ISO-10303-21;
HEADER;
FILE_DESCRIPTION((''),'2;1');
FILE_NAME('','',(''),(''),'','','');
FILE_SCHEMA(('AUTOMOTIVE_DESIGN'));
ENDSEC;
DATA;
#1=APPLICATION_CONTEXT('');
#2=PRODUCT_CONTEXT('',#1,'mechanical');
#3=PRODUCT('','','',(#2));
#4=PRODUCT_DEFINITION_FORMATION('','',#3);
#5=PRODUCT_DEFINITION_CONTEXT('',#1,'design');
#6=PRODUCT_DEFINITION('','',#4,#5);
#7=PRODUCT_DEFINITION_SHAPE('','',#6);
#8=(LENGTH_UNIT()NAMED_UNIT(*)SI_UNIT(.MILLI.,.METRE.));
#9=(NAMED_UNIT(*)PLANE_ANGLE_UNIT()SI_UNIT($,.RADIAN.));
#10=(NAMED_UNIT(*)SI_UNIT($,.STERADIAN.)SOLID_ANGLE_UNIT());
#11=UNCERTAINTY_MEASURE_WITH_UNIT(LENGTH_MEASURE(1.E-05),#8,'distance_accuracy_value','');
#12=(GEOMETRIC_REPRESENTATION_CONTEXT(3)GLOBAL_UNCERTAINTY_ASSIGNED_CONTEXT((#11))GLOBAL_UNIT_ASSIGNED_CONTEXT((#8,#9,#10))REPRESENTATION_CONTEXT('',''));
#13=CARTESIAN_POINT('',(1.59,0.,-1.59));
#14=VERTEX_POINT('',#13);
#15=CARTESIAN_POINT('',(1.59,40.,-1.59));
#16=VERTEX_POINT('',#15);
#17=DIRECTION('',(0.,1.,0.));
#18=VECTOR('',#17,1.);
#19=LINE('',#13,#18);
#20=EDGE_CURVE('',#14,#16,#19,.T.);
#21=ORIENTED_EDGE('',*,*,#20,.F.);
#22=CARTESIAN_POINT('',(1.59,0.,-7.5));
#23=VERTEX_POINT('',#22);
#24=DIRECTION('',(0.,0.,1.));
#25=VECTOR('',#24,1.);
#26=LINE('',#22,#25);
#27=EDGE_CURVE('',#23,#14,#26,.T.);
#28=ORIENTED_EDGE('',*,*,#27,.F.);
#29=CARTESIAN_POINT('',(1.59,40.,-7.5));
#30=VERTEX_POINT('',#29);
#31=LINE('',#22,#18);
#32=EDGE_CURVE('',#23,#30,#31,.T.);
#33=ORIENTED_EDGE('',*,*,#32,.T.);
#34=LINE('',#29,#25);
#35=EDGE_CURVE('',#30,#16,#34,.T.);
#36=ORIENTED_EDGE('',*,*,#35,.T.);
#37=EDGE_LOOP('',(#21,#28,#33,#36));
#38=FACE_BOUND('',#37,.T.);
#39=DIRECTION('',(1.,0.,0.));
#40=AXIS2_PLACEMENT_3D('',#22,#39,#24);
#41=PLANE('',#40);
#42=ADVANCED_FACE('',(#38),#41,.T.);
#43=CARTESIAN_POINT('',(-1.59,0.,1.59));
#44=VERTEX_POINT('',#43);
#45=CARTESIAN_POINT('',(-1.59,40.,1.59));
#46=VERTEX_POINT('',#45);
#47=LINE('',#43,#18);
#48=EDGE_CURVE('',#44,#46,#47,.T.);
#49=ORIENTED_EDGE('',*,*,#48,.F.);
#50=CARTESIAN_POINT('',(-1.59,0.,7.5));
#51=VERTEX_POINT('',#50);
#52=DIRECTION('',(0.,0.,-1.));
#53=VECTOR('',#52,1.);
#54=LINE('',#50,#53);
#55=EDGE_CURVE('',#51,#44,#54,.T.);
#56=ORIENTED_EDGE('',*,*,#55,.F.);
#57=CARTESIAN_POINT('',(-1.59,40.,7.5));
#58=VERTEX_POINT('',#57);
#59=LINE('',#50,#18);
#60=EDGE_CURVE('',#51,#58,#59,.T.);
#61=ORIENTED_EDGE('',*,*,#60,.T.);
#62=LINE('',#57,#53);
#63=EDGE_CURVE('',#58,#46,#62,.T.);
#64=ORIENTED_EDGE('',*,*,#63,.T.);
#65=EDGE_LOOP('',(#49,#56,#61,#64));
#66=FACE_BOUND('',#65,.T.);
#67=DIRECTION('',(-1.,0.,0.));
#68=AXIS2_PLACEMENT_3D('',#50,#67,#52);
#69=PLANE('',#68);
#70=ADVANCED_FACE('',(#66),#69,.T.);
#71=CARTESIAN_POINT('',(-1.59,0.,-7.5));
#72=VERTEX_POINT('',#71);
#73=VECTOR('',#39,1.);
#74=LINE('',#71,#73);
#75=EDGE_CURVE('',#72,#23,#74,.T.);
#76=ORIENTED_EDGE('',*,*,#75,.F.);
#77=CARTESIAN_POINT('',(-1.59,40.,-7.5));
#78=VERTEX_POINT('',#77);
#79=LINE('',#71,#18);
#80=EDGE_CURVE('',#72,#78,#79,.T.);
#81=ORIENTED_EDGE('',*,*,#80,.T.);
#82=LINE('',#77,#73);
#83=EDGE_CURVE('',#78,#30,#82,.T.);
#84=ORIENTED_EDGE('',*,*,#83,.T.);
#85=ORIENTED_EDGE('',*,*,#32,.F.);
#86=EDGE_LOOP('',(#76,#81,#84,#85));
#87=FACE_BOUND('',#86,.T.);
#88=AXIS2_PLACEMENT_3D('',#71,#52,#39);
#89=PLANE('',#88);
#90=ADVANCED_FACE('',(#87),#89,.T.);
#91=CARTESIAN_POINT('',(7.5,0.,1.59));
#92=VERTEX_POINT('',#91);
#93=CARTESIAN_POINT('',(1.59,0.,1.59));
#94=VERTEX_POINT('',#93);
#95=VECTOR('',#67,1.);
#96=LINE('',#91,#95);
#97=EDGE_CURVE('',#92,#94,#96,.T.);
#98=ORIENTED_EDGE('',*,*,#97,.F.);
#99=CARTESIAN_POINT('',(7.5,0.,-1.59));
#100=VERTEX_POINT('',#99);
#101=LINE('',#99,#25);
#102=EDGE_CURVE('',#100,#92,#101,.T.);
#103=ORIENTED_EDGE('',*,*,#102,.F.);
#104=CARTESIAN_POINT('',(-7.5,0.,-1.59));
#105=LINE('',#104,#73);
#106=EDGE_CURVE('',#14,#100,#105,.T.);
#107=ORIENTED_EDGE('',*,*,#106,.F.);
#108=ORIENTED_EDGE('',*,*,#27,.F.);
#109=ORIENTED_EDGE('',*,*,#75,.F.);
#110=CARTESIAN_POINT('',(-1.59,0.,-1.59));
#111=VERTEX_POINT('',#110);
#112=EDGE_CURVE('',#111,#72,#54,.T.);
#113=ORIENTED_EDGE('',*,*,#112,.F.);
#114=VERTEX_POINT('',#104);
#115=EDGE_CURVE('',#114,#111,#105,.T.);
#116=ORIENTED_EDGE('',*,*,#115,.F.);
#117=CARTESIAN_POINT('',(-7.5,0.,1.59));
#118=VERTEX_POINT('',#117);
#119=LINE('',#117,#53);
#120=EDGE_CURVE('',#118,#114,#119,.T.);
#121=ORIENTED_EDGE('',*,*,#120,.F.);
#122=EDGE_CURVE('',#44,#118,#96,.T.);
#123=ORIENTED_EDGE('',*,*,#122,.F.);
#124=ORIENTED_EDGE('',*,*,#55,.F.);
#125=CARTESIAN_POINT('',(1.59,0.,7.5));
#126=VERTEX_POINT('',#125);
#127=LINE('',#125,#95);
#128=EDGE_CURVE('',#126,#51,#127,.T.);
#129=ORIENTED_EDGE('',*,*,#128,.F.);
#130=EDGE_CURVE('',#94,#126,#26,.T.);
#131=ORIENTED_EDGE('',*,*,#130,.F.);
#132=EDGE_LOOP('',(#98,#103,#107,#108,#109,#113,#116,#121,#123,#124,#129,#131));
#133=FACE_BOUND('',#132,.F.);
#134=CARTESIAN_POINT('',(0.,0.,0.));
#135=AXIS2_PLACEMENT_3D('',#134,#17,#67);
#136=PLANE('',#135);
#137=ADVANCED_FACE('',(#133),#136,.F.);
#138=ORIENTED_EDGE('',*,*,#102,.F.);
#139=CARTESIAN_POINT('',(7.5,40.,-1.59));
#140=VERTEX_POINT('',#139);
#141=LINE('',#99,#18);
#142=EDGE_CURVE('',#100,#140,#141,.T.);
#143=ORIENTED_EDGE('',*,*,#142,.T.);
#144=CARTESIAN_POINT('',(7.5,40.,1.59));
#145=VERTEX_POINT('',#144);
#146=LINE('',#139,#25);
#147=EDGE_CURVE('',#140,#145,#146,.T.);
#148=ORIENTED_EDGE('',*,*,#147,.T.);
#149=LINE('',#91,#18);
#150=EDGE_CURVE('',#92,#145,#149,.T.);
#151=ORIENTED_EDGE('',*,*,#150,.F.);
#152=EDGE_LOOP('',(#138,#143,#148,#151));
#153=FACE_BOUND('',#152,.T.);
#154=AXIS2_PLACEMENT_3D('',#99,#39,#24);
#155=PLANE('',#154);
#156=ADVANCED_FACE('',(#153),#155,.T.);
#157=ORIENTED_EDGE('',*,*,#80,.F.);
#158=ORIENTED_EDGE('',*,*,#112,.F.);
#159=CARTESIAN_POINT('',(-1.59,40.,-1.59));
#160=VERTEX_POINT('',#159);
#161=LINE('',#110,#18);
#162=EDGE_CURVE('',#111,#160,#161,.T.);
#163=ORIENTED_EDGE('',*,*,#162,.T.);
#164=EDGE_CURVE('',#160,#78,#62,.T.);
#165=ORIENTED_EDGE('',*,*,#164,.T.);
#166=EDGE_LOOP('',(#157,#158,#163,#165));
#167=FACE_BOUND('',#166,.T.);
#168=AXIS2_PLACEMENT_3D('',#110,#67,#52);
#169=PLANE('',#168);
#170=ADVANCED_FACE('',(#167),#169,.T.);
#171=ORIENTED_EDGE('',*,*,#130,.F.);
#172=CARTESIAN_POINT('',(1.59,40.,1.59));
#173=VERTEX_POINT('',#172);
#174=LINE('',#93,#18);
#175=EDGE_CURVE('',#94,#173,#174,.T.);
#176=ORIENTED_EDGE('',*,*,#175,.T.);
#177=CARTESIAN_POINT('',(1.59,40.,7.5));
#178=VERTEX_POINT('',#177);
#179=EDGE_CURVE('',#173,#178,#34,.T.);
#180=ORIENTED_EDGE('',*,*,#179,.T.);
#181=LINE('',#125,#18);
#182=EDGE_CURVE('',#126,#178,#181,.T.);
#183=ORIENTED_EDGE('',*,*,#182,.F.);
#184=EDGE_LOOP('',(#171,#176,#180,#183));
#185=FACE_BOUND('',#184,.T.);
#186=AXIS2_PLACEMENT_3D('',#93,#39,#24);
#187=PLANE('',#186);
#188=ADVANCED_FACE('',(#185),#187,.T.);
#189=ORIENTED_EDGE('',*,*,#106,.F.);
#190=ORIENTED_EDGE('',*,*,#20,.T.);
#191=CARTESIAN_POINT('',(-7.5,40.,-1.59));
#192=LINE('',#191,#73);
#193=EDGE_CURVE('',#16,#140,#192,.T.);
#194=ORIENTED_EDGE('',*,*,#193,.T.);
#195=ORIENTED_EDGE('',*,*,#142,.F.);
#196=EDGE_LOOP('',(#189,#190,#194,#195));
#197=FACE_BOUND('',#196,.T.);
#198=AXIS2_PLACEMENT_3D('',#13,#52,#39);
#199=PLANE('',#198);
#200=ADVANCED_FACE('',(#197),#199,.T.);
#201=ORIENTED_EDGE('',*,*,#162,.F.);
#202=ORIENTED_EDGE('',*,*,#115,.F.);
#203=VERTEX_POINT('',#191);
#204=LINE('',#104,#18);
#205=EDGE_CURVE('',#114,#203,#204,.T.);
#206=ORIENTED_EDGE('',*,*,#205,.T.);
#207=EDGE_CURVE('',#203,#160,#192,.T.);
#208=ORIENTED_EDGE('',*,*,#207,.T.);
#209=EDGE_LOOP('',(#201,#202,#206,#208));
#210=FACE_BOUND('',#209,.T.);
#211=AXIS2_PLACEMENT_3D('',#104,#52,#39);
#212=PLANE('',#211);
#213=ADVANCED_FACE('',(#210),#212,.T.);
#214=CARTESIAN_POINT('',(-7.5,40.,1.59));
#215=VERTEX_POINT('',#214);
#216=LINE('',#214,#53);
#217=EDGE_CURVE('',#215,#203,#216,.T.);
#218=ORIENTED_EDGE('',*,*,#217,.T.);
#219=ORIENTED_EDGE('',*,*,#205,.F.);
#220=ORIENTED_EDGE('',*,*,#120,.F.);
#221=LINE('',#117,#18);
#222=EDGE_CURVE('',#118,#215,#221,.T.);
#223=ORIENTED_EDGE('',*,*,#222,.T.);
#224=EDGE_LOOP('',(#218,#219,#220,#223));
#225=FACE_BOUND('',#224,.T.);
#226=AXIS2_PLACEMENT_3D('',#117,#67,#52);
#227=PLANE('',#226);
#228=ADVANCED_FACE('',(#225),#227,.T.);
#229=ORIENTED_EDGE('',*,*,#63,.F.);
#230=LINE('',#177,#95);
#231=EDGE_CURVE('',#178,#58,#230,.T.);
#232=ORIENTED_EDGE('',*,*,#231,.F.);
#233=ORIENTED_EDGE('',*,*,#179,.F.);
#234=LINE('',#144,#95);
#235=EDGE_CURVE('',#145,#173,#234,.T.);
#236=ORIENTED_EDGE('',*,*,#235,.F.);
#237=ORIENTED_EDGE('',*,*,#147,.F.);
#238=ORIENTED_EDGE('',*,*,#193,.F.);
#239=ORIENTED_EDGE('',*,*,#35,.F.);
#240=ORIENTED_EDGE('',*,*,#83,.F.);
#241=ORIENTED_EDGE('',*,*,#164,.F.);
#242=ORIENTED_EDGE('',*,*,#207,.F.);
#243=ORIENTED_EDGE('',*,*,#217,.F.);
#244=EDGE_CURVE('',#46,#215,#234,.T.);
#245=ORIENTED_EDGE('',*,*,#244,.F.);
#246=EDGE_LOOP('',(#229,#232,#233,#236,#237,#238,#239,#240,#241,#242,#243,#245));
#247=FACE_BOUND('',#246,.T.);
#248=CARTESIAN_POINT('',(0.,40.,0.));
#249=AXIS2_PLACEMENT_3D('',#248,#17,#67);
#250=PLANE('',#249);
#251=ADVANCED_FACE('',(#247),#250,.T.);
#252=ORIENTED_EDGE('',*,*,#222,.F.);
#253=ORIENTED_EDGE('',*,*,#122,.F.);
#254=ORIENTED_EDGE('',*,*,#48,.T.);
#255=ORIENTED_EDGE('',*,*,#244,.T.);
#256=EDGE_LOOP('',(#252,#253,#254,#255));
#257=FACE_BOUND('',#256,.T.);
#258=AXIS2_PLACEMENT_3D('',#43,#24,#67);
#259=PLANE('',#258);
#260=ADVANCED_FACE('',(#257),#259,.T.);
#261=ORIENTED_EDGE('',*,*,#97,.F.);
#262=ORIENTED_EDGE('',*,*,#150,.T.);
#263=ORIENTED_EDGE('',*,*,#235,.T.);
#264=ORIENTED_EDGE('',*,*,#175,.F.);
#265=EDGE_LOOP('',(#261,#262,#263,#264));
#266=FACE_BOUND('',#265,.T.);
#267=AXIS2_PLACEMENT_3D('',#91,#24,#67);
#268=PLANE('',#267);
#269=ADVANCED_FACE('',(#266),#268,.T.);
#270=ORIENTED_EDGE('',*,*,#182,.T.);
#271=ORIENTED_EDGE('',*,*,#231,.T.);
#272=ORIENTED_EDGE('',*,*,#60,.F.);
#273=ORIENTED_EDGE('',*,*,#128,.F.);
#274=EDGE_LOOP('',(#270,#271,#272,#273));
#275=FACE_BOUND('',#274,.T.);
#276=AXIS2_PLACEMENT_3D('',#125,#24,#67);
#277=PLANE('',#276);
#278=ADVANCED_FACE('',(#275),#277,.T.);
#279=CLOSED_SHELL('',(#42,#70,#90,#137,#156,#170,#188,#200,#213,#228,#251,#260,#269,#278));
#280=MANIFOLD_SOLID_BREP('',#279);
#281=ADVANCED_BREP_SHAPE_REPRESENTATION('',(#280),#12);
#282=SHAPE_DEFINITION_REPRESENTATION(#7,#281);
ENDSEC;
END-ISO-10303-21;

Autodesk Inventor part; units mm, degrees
ref_plane "YZ Plane" through (0, 0, 0) normal (1, 0, 0) x (0, 1, 0)
ref_plane "XZ Plane" through (0, 0, 0) normal (0, 1, 0) x (-1, 0, 0)
ref_plane "XY Plane" through (0, 0, 0) normal (0, 0, 1) x (1, 0, 0)
sketch "Sketch1" plane through (0, 0, 0) normal (0, 1, 0) x (-1, 0, 0)
  line L0 (-7.5, 1.59) -> (7.5, 1.59)
  line L1 (7.5, 1.59) -> (7.5, -1.59)
  line L2 (7.5, -1.59) -> (-7.5, -1.59)
  line L3 (-7.5, -1.59) -> (-7.5, 1.59)
  line L4 (-7.5, 1.59) -> (7.5, -1.59) construction
  line L5 (7.5, 1.59) -> (-7.5, -1.59) construction
  line L6 (-1.59, 7.5) -> (1.59, 7.5)
  line L7 (1.59, 7.5) -> (1.59, -7.5)
  line L8 (1.59, -7.5) -> (-1.59, -7.5)
  line L9 (-1.59, -7.5) -> (-1.59, 7.5)
  line L10 (-1.59, 7.5) -> (1.59, -7.5) construction
  line L11 (1.59, 7.5) -> (-1.59, -7.5) construction
  point P0 (0, 0)
  dimension "d0" = 15
  dimension "d1" = 3.18
  dimension "d2" = 3.18
  dimension "d3" = 15
extrude "Extrusion1" add sketch "Sketch1" along normal blind 40
properties part number "Brazo_union"
